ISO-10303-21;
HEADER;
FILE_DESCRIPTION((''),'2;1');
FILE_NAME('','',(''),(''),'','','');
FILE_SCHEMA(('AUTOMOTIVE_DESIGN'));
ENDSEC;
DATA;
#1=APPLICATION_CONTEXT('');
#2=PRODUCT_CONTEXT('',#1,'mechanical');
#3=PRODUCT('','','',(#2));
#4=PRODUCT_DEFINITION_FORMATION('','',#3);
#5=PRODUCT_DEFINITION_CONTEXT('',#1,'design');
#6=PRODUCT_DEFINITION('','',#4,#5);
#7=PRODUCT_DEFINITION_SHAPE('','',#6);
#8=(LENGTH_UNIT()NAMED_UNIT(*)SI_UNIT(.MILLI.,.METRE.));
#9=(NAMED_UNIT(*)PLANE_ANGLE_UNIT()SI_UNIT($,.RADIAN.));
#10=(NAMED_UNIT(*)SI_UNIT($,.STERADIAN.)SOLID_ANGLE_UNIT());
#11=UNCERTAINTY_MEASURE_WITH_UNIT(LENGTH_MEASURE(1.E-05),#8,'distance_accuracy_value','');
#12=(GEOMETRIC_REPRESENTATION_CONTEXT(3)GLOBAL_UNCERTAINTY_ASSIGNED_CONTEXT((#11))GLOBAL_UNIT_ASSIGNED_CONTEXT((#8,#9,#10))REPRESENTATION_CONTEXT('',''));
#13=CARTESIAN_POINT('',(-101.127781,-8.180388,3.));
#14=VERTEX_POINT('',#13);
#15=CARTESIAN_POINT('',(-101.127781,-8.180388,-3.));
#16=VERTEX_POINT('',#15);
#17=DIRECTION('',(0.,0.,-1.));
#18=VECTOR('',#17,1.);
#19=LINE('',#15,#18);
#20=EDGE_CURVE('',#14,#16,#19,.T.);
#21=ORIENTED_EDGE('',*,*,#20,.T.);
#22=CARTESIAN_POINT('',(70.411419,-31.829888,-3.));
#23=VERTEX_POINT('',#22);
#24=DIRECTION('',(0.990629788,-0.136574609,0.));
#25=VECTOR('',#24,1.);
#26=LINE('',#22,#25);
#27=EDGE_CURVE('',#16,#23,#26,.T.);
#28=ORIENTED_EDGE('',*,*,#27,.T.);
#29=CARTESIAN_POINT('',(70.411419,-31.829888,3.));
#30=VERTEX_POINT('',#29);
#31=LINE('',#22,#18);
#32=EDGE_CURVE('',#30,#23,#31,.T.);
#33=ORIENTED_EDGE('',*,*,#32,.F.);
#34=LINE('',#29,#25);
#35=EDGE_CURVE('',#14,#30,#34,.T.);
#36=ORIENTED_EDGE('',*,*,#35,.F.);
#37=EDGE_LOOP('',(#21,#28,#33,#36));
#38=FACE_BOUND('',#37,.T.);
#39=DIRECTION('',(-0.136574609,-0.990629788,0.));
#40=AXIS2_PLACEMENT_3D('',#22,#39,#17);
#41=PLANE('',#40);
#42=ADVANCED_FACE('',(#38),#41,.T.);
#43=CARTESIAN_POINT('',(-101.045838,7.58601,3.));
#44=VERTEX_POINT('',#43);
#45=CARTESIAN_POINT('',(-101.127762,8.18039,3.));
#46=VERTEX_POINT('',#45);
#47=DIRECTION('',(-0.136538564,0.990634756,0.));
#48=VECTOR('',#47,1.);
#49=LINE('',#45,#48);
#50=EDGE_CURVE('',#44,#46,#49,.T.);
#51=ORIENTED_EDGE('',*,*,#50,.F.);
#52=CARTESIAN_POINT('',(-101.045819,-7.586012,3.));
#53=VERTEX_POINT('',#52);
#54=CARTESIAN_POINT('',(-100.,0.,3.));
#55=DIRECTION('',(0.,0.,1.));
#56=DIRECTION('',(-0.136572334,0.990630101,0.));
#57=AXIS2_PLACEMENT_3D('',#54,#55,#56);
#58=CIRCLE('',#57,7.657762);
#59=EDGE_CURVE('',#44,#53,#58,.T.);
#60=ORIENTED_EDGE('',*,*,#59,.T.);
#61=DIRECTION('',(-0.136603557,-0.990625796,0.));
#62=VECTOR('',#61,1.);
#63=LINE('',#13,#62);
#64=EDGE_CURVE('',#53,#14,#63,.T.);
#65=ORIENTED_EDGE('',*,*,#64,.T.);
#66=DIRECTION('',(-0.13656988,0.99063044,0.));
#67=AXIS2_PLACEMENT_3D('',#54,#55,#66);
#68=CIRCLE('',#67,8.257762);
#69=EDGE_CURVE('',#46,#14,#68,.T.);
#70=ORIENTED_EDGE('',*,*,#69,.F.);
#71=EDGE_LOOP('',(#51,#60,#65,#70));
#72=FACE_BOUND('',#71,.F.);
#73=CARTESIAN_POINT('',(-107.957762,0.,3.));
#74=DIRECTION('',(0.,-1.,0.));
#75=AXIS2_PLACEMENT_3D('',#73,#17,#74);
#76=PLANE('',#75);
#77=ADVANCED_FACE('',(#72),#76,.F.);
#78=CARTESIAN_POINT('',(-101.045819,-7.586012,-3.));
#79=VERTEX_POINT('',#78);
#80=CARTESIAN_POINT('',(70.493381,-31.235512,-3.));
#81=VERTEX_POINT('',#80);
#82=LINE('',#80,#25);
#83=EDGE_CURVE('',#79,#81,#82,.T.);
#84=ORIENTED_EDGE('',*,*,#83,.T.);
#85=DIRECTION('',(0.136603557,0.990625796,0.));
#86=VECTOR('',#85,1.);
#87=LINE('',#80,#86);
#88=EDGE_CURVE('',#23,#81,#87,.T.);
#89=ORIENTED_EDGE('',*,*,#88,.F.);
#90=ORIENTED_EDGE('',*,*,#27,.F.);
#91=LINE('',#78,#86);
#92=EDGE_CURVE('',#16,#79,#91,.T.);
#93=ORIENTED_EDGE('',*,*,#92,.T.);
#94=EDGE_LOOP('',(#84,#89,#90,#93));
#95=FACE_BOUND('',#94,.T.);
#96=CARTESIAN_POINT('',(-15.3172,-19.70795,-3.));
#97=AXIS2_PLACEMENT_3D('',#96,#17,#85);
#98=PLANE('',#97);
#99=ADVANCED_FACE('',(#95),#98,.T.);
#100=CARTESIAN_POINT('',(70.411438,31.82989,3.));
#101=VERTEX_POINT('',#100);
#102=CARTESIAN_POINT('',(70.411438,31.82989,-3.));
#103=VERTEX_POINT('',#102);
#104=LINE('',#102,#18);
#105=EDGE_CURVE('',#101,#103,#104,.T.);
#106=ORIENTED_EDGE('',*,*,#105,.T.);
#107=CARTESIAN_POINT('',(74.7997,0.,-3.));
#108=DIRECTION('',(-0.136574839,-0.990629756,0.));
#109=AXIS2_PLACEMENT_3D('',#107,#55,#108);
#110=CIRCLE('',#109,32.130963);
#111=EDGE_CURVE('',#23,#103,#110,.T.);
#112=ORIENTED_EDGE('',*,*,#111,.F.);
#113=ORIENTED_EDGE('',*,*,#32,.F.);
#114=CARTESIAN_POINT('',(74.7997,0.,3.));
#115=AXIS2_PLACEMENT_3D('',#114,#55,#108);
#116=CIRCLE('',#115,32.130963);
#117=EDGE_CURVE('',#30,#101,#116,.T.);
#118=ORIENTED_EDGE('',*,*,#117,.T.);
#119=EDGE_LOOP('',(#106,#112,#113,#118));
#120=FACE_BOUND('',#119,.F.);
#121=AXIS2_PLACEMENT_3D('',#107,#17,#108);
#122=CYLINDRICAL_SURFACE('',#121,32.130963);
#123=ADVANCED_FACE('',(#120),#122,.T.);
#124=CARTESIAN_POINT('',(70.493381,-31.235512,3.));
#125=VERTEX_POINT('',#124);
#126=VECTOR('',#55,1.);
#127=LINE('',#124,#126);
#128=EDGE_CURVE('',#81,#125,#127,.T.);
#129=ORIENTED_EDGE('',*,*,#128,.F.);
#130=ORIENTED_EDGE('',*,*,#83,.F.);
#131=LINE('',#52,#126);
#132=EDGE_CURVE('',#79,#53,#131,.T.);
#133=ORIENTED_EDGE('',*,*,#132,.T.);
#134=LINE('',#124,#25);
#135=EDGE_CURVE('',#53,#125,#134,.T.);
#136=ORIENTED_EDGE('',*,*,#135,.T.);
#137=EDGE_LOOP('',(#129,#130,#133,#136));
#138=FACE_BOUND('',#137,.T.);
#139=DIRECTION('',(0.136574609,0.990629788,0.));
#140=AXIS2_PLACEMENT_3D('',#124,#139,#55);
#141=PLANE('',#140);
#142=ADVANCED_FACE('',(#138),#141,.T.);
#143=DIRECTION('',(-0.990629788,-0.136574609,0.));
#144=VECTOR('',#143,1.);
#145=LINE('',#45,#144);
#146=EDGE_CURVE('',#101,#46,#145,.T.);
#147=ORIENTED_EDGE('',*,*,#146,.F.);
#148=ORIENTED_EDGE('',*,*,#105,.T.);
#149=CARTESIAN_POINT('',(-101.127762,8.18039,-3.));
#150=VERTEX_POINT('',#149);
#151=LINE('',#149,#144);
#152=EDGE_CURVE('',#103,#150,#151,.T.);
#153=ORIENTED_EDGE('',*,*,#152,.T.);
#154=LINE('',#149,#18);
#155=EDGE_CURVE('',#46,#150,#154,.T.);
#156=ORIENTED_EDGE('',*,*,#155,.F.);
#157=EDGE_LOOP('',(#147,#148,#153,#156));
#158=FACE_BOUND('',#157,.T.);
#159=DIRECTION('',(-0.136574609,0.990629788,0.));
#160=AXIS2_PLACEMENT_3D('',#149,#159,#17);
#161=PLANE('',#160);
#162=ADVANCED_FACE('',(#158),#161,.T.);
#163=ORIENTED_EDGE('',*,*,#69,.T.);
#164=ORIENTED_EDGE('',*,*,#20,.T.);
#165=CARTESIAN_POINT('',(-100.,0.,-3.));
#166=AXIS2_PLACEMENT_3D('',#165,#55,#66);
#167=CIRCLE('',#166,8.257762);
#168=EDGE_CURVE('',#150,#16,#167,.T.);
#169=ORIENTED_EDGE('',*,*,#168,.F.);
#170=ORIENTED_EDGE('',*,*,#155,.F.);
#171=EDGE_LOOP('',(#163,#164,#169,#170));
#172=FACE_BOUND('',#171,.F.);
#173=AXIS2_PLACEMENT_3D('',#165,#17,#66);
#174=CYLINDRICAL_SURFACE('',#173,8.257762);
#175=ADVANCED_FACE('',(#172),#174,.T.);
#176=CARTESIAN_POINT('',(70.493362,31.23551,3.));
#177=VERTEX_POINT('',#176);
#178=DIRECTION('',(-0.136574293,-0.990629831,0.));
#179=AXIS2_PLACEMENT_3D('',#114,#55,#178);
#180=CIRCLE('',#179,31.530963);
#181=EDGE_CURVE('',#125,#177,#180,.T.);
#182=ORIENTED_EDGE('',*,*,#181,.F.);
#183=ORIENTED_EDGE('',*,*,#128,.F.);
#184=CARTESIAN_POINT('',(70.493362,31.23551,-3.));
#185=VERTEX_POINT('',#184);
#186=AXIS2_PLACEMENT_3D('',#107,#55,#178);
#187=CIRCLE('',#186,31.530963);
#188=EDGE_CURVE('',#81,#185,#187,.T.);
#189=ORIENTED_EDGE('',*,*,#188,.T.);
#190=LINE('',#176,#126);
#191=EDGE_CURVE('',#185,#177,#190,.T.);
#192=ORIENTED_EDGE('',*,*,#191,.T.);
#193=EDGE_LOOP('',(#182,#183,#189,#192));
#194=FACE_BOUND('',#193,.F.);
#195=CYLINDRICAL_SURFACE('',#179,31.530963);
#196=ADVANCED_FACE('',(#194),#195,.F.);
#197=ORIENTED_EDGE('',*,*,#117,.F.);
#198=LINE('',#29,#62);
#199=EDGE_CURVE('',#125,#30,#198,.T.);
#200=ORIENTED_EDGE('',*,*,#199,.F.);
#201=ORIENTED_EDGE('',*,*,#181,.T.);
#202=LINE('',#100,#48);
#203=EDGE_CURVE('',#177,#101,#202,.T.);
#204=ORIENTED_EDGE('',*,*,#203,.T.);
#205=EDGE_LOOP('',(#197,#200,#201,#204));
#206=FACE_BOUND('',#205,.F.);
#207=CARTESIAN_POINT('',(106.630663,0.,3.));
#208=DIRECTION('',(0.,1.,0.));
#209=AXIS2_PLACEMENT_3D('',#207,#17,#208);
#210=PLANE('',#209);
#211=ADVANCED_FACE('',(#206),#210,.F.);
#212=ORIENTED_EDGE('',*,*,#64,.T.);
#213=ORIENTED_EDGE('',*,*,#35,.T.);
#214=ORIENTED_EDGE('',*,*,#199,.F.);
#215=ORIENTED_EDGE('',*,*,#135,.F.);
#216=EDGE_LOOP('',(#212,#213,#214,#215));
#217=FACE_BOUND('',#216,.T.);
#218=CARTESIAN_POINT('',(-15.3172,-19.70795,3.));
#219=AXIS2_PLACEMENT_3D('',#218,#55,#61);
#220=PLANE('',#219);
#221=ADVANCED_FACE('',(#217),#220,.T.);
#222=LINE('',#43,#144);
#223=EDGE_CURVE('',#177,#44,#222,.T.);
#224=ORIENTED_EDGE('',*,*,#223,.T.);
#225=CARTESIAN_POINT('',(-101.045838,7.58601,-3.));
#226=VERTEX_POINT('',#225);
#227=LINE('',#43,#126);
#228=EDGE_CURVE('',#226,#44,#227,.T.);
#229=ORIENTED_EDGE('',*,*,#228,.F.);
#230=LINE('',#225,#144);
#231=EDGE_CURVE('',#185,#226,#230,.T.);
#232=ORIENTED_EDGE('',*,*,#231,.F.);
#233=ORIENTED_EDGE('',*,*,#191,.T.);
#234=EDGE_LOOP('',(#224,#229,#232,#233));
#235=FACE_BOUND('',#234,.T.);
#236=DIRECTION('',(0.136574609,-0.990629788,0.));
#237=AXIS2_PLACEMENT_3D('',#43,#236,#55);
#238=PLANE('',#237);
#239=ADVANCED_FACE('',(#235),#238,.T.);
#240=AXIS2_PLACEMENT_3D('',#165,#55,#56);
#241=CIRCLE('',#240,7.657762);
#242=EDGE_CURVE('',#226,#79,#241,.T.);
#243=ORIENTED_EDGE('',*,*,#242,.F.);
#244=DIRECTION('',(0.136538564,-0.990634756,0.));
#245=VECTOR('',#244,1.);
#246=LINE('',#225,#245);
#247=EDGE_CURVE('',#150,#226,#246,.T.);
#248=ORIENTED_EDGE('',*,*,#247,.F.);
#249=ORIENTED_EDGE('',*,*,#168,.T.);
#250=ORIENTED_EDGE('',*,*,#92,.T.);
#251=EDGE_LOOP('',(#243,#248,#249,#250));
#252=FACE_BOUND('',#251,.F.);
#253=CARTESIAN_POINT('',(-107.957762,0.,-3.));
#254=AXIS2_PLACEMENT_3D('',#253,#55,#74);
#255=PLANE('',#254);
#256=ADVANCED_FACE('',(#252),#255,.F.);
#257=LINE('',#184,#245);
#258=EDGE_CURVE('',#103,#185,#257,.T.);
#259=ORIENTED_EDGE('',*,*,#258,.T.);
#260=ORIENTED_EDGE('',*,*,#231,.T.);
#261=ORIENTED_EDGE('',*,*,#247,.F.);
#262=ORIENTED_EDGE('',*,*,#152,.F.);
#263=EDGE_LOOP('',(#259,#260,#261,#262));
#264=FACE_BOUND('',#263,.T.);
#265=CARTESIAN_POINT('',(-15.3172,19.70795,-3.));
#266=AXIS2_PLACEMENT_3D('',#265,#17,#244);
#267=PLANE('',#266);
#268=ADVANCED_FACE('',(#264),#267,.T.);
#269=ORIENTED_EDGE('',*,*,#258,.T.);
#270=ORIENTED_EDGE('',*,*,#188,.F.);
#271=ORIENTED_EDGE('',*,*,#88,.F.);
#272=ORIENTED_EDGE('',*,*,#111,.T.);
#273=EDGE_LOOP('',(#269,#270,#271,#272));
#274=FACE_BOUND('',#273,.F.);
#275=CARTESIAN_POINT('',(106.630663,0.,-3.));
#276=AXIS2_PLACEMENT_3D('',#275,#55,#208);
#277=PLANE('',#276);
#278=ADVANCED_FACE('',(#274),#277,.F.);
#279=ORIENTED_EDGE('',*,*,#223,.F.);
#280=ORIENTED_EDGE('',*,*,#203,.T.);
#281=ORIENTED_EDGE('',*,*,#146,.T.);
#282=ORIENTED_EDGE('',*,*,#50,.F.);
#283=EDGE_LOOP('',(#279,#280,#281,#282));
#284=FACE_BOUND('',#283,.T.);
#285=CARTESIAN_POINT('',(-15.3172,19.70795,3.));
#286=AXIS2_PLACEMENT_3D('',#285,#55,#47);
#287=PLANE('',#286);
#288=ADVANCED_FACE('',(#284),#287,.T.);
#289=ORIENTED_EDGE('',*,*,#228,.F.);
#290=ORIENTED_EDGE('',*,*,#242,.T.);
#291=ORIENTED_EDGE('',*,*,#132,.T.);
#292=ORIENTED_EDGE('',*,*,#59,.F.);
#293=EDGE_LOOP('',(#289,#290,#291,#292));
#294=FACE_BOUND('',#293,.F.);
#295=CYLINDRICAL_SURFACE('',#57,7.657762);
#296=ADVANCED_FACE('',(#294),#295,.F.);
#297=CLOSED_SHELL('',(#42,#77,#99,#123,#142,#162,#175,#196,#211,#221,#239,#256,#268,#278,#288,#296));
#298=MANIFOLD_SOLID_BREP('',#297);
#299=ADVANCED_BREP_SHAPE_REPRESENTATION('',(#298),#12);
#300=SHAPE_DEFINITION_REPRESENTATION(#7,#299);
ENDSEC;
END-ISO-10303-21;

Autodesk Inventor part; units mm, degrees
sketch "Sketch Path" plane through (0, 0, 0) normal (0, 0, 1) x (1, 0, 0)
  arc A0 (-101.0868, 7.8832) -> (-101.0868, -7.8832) centre (-100, 0) ccw
  arc A1 (70.4524, -31.5327) -> (70.4524, 31.5327) centre (74.7997, 0) ccw
  line L0 (70.4524, -31.5327) -> (-101.0868, -7.8832)
  line L1 (-101.0868, 7.8832) -> (70.4524, 31.5327)
ref_plane "Cross Section Plane" through (-101.0868, -7.8832, 0) normal (0.9906, -0.1366, 0) x (0, 0, 1)
ref_plane "Work Plane2" through (-100, 0, 0) normal (-1, 0, 0) x (0, 0, 1)
ref_plane "Work Plane3" through (74.7997, 0, 0) normal (-0.9924, -0.1232, 0) x (0, 0, 1)
sketch "Cross Section" plane through (-101.0868, -7.8832, 0) normal (0.9906, -0.1366, 0) x (0, 0, 1)
  line L0 (-3, 0.3) -> (3, 0.3)
  line L1 (3, 0.3) -> (3, -0.3)
  line L2 (3, -0.3) -> (-3, -0.3)
  line L3 (-3, -0.3) -> (-3, 0.3)
  line L4 (-3, 0) -> (3, 0) construction
  point P0 (0, 0)
  point P1 (0, 0)
  dimension "d0" = 6
  dimension "d4" = 0.3
  dimension "d5" = 0.3
sweep "Belt" add profiles "Cross Section" path "Sketch Path"
equation "\"d0\" = da_B"
equation "\"d4\" = da_a"
equation "\"d5\" = da_a2"
equation "\"da_B\" = 6"
equation "\"da_pb\" = 2.5"
equation "\"da_L\" = 477.86495"
equation "\"da_a\" = 0.3"
equation "\"da_S\" = 1.5"
equation "\"da_Beta\" = 20deg"
equation "\"da_Ht\" = 0.7"
equation "\"da_H\" = 1.3"
equation "\"da_a2\" = 0.3"
properties part number "Synchronous Belt" material "Rubber"
